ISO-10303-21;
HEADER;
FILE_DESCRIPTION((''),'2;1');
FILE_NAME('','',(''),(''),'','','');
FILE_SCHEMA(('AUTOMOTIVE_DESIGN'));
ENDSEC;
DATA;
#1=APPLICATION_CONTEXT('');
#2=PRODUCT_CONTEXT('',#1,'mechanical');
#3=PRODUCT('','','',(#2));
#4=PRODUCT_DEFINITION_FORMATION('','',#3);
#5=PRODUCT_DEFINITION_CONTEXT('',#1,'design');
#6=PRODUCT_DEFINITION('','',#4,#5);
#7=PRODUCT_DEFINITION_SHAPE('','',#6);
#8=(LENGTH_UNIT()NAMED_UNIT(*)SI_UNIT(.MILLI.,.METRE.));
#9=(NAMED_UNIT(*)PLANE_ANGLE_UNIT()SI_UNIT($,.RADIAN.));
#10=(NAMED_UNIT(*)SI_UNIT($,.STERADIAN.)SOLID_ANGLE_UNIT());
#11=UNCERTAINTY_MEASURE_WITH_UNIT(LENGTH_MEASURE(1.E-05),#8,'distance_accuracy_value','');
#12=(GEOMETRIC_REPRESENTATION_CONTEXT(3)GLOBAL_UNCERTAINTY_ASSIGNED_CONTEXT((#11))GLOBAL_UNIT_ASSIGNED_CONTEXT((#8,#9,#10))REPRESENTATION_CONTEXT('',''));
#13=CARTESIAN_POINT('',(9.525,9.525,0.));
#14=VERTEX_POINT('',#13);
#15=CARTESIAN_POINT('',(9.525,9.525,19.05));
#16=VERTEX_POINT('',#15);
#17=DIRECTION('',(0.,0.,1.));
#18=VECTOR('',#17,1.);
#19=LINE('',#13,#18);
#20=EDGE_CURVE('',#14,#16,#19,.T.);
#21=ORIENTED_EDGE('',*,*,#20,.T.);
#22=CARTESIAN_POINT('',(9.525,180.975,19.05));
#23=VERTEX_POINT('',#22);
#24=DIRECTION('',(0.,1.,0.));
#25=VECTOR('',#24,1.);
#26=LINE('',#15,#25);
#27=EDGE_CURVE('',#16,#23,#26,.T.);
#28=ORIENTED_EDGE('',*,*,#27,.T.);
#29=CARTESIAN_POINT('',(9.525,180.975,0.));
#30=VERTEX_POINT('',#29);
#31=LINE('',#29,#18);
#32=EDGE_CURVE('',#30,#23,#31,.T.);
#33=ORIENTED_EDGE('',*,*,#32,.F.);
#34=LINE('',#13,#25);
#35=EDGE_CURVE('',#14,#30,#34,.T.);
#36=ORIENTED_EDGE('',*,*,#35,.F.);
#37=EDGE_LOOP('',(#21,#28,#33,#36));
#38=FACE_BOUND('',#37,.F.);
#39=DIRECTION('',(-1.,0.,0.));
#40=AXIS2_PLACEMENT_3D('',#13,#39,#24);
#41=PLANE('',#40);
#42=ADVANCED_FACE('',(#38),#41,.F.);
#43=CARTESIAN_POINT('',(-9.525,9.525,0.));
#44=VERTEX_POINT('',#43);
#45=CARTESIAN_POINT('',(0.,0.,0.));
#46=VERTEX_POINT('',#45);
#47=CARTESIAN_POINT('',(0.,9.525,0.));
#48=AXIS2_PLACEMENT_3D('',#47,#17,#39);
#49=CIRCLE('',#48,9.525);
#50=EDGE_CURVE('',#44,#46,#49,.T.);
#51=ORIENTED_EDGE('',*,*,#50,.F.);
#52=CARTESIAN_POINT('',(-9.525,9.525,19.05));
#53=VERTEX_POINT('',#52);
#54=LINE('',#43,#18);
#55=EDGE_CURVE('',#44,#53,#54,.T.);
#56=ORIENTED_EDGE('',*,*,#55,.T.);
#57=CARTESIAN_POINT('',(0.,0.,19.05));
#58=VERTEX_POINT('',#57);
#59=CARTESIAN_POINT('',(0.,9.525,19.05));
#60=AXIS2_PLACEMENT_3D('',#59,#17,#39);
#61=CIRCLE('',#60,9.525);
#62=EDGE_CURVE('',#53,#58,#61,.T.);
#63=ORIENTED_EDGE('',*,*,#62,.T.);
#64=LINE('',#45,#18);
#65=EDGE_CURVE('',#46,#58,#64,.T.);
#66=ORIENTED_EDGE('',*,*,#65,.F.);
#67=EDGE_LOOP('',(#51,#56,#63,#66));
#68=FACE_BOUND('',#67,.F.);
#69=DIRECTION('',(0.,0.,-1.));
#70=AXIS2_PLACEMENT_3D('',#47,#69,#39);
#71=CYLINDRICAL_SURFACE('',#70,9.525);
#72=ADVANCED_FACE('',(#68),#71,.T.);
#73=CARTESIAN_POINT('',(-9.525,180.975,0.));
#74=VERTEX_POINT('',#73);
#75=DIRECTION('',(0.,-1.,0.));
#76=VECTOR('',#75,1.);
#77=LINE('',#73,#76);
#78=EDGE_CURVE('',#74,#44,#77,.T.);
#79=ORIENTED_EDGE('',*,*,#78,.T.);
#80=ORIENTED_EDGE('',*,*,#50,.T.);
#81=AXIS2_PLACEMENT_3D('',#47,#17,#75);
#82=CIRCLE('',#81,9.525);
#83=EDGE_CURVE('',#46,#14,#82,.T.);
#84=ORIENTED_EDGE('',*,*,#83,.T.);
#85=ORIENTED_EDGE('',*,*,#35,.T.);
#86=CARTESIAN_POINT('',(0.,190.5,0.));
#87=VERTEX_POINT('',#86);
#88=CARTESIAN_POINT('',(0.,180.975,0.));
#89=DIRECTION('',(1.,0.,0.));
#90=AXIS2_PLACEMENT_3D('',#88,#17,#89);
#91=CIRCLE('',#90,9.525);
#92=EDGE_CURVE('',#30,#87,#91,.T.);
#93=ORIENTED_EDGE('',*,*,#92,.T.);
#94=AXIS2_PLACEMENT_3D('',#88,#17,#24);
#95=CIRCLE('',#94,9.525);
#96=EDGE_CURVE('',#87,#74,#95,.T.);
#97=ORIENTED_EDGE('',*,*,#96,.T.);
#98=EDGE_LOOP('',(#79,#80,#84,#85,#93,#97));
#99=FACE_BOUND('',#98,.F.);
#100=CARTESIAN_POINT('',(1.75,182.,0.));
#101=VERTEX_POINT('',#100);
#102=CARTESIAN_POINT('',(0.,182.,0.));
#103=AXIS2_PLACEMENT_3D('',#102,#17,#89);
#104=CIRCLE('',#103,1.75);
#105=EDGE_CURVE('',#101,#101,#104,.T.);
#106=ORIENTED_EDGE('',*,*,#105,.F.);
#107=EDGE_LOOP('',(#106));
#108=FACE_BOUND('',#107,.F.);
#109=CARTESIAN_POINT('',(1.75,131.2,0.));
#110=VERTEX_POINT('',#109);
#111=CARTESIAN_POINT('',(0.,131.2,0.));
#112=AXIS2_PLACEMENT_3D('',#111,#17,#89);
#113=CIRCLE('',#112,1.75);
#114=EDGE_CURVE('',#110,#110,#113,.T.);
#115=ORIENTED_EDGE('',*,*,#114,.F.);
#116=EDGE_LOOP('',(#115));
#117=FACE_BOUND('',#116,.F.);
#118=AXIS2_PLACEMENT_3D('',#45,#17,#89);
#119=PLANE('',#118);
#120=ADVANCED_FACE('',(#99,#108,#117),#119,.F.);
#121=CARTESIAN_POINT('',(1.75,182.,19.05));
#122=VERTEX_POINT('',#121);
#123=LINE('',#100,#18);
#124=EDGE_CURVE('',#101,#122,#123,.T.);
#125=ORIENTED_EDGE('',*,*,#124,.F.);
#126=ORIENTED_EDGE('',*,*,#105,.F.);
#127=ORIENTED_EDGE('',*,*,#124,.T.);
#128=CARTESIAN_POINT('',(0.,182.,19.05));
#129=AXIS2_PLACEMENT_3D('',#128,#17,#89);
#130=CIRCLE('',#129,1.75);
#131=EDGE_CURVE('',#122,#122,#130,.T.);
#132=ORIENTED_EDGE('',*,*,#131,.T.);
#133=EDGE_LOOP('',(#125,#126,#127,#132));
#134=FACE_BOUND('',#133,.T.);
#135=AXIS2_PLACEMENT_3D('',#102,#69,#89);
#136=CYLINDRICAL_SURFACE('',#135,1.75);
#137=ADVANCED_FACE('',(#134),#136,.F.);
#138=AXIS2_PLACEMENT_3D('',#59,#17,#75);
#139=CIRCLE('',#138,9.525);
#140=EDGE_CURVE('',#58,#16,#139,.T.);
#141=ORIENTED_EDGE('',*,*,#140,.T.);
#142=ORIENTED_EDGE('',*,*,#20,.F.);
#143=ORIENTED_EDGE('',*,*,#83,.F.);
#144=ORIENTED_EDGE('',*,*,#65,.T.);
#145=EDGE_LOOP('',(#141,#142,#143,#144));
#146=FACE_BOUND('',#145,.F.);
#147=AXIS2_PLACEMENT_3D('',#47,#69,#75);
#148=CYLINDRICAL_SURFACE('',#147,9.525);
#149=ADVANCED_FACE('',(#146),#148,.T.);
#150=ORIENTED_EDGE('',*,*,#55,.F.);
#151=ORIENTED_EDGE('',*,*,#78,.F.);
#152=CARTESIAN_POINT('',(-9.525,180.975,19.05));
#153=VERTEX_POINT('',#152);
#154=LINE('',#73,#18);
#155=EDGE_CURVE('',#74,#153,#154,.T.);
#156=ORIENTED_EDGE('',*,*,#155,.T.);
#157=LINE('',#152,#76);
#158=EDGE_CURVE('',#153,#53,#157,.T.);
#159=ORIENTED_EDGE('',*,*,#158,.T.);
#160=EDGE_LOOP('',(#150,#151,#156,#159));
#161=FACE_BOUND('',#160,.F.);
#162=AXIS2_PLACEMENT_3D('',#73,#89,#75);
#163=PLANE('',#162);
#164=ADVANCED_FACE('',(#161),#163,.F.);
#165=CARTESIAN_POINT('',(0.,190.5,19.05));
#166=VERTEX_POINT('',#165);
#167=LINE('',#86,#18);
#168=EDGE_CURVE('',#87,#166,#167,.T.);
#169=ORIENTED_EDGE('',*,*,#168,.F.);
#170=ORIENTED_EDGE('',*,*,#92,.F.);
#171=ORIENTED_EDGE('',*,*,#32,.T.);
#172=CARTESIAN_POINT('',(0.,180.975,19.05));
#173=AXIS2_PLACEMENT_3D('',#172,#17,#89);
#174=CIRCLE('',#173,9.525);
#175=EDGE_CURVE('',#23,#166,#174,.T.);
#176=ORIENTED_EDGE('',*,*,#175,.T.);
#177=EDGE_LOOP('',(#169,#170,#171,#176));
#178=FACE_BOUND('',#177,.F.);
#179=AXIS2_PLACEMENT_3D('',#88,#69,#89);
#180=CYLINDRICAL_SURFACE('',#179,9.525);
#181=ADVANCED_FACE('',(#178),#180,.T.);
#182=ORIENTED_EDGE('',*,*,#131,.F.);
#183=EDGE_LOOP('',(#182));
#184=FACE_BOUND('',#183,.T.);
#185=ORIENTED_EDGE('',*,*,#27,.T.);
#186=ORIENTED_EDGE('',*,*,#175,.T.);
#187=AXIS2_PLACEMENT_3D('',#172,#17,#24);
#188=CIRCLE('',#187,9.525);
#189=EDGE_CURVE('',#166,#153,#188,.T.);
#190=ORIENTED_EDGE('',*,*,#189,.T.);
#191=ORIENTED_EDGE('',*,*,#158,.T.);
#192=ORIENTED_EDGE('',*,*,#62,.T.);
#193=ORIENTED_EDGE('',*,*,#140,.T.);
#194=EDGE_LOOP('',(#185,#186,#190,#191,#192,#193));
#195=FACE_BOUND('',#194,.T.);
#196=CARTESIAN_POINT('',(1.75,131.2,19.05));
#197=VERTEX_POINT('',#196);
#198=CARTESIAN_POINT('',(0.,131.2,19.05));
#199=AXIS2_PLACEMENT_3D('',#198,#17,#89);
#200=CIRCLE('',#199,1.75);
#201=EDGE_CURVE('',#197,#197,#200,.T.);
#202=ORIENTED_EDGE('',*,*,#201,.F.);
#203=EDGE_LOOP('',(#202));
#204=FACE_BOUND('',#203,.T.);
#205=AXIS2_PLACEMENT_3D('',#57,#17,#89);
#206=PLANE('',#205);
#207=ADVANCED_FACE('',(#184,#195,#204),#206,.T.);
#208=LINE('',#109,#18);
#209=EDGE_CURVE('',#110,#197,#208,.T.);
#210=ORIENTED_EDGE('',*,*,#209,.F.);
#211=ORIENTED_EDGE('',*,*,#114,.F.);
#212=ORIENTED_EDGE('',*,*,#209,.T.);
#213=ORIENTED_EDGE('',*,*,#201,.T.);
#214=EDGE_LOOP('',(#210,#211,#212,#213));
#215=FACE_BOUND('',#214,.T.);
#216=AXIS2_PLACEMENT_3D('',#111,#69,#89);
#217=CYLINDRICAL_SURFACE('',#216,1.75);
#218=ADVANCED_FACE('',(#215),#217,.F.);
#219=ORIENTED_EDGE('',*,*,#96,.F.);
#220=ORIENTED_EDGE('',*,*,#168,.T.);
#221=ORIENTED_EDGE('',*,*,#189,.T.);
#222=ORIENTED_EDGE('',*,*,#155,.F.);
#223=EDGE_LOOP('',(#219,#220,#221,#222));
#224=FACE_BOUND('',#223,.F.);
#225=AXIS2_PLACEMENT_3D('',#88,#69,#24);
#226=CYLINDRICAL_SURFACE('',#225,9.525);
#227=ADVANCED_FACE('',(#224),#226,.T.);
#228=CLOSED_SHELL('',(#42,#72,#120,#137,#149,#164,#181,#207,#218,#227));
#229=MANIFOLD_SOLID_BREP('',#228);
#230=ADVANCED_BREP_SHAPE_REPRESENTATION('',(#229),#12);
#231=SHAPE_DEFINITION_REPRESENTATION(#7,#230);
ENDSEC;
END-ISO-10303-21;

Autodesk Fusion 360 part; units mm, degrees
sketch "Sketch1" plane through (0, 0, 0) normal (0, 0, 1) x (1, 0, 0)
  line L0 (0, 0) -> (0, 0)
  line L1 (9.525, 9.525) -> (9.525, 180.975)
  line L2 (0, 190.5) -> (0, 190.5)
  line L3 (-9.525, 180.975) -> (-9.525, 9.525)
  line L4 (0, 0) -> (0, 190.5) construction
  arc A0 (-9.525, 9.525) -> (0, 0) centre (0, 9.525) ccw
  arc A1 (0, 0) -> (9.525, 9.525) centre (0, 9.525) ccw
  arc A2 (0, 190.5) -> (-9.525, 180.975) centre (0, 180.975) ccw
  arc A3 (9.525, 180.975) -> (0, 190.5) centre (0, 180.975) ccw
  circle A4 centre (0, 182) radius 1.75
  circle A5 centre (0, 131.2) radius 1.75
  dimension "d1" = 190.5
  dimension "d2" = 19.05
  dimension "d3" = 9.525
  dimension "d4" = 9.525
  dimension "d5" = 9.525
  dimension "d6" = 9.525
  dimension "d7" = 3.5
  dimension "d8" = 3.5
  dimension "d9" = 50.8
extrude "Extrude1" add sketch "Sketch1" along normal blind 19.05
